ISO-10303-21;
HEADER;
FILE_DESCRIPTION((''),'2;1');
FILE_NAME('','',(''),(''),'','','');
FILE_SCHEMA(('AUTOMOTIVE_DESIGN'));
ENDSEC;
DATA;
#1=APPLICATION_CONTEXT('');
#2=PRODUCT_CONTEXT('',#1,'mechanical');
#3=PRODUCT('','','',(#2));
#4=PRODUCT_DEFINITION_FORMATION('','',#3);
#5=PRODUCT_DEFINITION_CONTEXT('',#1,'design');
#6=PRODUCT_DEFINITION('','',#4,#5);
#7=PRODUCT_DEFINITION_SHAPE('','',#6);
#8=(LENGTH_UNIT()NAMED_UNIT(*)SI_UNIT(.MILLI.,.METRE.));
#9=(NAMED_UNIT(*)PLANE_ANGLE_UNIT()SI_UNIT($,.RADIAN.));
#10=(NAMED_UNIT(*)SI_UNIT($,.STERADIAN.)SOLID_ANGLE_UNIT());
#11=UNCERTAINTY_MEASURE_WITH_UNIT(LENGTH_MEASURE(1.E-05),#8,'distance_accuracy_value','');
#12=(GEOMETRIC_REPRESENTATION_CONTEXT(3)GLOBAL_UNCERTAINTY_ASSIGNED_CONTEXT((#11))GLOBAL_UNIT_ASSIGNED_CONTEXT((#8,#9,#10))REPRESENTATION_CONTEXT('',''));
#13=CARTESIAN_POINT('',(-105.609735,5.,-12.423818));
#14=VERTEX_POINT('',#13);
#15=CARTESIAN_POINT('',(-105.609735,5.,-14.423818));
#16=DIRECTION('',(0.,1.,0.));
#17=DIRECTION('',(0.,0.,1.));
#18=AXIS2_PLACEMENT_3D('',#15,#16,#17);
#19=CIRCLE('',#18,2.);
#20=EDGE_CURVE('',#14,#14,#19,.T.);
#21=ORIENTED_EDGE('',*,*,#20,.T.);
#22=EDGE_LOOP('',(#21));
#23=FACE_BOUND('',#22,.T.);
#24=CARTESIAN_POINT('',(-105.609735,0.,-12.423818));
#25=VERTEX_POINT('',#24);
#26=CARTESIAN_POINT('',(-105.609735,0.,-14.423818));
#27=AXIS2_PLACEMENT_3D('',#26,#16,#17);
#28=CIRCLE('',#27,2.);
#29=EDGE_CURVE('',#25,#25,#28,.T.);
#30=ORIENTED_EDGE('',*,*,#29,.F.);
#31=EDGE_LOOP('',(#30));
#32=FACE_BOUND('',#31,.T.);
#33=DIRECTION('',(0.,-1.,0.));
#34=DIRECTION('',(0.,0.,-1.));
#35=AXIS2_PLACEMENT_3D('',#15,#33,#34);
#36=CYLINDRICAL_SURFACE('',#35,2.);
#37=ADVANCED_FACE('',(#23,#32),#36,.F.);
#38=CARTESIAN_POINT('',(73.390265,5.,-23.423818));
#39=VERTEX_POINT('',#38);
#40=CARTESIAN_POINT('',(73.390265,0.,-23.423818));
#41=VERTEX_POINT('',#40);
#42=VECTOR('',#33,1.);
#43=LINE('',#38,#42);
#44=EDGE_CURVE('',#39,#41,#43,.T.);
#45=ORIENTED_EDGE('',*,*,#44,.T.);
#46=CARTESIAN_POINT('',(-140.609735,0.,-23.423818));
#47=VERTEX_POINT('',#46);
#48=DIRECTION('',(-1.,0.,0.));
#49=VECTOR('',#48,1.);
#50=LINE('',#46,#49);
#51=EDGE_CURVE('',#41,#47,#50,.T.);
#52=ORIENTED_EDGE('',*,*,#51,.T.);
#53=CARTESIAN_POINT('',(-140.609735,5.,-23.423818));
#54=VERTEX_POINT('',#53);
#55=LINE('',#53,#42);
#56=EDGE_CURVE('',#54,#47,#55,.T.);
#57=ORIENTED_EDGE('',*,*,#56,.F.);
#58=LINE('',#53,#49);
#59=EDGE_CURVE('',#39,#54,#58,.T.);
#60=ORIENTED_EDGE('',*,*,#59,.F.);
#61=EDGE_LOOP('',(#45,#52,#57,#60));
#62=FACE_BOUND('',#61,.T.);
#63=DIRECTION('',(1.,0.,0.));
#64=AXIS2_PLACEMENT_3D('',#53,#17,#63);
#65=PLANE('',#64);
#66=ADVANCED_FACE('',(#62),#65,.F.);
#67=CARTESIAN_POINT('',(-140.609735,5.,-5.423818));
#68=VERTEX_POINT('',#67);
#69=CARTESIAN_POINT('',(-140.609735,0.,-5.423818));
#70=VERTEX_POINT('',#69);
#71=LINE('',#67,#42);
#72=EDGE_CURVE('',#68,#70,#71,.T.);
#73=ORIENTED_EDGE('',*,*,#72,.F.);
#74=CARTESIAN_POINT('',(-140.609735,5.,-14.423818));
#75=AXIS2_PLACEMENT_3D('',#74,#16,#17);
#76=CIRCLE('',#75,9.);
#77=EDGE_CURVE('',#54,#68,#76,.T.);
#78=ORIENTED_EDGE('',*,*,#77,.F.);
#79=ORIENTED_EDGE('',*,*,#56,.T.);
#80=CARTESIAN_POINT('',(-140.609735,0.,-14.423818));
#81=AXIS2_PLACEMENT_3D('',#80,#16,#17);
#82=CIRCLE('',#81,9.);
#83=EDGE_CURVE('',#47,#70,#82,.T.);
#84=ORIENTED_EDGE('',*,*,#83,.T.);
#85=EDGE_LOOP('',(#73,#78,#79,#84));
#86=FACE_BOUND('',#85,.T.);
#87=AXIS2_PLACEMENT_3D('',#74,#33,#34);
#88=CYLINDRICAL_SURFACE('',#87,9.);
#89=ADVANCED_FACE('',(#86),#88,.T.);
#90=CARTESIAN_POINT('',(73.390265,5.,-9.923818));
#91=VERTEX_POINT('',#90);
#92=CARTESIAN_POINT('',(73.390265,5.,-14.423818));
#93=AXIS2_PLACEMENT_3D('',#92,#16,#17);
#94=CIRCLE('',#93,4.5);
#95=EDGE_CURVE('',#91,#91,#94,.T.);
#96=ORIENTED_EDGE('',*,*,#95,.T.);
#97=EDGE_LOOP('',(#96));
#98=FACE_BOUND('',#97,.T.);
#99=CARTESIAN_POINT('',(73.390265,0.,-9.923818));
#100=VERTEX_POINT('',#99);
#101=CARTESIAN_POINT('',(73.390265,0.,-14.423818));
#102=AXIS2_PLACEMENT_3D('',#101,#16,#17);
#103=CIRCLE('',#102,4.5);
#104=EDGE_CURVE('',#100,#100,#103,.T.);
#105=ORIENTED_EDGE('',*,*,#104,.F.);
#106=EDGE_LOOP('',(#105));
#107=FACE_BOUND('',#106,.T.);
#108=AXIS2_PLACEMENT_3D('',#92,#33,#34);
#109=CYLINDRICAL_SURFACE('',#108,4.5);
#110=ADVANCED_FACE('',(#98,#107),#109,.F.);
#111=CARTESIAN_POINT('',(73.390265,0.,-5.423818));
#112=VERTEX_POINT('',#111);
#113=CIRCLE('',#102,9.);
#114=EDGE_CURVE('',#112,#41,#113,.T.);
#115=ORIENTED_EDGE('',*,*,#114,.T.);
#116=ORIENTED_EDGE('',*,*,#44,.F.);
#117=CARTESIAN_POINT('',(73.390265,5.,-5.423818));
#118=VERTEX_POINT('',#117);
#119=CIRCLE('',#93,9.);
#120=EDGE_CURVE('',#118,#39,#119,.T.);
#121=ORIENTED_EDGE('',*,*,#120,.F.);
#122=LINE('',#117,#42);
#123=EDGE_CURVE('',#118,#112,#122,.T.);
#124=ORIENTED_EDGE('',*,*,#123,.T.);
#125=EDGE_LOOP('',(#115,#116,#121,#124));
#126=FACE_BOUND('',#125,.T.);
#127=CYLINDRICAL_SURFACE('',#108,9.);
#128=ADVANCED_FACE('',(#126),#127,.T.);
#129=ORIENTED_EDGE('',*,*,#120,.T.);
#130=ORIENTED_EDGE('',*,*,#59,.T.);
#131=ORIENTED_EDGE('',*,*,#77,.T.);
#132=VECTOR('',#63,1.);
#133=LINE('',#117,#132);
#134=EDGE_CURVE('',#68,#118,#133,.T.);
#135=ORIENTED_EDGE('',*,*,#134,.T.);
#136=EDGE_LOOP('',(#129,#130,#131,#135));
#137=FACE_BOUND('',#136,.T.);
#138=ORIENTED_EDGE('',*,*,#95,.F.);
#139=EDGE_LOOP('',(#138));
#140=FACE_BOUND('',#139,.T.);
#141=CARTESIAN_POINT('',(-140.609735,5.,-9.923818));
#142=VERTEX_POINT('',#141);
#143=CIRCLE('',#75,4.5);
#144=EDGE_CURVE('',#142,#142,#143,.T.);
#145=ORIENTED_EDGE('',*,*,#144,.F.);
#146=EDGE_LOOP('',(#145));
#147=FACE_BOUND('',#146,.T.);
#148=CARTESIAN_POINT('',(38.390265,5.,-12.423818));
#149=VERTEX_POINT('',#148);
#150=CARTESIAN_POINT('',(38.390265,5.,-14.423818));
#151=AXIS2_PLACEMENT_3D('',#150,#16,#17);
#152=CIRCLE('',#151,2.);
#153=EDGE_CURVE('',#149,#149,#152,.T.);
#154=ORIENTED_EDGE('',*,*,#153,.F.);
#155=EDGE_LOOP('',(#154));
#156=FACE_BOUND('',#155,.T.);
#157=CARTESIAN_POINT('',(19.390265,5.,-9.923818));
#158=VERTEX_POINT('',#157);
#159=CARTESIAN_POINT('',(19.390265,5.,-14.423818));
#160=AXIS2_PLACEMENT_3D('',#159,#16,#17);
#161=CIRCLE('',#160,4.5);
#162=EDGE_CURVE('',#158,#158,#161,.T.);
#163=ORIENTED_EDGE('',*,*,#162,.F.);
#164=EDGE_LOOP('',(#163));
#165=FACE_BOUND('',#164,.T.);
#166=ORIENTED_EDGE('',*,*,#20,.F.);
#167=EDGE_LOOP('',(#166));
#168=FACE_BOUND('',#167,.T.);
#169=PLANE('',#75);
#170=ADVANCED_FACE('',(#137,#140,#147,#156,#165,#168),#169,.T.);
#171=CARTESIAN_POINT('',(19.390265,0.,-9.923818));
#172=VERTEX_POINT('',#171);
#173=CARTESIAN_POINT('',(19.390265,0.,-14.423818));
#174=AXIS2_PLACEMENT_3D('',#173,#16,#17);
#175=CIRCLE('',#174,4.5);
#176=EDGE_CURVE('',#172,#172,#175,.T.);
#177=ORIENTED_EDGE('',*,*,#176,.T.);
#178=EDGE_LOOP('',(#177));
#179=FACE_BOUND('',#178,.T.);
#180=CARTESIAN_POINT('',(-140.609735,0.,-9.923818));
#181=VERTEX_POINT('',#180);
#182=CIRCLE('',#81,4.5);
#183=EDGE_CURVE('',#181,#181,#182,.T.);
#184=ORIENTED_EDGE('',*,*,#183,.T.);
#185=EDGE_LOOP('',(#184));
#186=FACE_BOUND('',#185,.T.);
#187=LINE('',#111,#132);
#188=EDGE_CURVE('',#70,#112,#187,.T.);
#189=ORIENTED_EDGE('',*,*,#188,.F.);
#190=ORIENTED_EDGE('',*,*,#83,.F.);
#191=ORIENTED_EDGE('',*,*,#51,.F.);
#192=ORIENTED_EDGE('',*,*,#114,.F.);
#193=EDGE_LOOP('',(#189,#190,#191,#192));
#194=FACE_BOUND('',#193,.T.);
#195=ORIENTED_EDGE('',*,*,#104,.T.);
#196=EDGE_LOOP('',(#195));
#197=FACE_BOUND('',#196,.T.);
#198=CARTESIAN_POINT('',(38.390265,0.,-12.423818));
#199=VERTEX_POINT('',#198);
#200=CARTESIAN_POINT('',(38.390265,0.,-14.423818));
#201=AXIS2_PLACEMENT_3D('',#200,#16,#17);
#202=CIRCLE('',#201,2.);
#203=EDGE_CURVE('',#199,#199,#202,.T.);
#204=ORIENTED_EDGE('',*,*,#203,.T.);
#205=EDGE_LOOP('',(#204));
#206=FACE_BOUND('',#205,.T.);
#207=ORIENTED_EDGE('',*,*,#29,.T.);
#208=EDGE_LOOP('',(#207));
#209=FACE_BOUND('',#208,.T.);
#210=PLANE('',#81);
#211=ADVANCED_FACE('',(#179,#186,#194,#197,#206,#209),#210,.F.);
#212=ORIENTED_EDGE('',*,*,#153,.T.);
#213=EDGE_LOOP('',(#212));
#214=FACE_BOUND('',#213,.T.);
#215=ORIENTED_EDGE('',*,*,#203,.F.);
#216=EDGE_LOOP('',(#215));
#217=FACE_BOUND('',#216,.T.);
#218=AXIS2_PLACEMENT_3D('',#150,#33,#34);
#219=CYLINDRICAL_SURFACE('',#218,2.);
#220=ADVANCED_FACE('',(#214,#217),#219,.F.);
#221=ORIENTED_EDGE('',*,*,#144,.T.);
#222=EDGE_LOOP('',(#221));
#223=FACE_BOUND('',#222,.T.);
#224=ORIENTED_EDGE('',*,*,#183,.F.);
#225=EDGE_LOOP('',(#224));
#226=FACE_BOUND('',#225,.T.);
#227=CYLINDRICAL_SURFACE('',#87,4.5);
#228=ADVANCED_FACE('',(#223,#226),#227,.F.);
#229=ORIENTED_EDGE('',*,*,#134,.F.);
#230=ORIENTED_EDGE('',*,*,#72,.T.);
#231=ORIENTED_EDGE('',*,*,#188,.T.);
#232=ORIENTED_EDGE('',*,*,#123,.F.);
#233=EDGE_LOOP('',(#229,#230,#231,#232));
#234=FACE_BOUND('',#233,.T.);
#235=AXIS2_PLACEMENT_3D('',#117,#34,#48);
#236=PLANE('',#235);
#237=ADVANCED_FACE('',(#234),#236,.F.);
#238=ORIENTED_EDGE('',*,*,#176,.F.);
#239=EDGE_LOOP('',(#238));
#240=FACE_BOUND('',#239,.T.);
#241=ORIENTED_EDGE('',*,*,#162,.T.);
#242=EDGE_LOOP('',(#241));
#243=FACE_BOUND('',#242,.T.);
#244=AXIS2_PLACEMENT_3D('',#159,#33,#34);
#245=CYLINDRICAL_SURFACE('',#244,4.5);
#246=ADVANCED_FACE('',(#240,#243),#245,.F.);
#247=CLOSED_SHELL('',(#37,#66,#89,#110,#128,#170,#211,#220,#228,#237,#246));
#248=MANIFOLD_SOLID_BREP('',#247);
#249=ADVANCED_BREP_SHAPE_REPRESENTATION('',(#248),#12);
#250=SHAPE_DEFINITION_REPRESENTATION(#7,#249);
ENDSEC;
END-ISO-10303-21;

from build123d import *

# Parameters (mm, degrees)
SKETCH_1_R      = 4.5
SKETCH_1_R_2    = 2
EXTRUDE_1_DEPTH = 5


with BuildPart() as part:
    # 草图1 → 凸台-拉伸1 (new body)
    with BuildSketch(Plane(origin=(0, 0, 0), x_dir=(1, 0, 0), z_dir=(0, 1, 0))):
        with BuildLine():
            Line((-140.609734673, 23.423817863), (73.390265327, 23.423817863))
            ThreePointArc((73.390265327, 23.423817863), (82.390265327, 14.423817863), (73.390265327, 5.423817863))
            Line((73.390265327, 5.423817863), (-140.609734673, 5.423817863))
            ThreePointArc((-140.609734673, 5.423817863), (-149.609734673, 14.423817863), (-140.609734673, 23.423817863))
        make_face()
        with Locations(Location((-140.609734673, 14.423817863, 0), (0, 0, 270))):
            Circle(SKETCH_1_R, mode=Mode.SUBTRACT)
        with Locations(Location((73.390265327, 14.423817863, 0), (0, 0, 270))):
            Circle(SKETCH_1_R, mode=Mode.SUBTRACT)
        with Locations(Location((38.390265327, 14.423817863, 0), (0, 0, 270))):
            Circle(SKETCH_1_R_2, mode=Mode.SUBTRACT)
        with Locations(Location((19.390265327, 14.423817863, 0), (0, 0, 270))):
            Circle(SKETCH_1_R, mode=Mode.SUBTRACT)
        with Locations(Location((-105.609734673, 14.423817863, 0), (0, 0, 270))):
            Circle(SKETCH_1_R_2, mode=Mode.SUBTRACT)
    extrude(amount=EXTRUDE_1_DEPTH)


solid = part.part
